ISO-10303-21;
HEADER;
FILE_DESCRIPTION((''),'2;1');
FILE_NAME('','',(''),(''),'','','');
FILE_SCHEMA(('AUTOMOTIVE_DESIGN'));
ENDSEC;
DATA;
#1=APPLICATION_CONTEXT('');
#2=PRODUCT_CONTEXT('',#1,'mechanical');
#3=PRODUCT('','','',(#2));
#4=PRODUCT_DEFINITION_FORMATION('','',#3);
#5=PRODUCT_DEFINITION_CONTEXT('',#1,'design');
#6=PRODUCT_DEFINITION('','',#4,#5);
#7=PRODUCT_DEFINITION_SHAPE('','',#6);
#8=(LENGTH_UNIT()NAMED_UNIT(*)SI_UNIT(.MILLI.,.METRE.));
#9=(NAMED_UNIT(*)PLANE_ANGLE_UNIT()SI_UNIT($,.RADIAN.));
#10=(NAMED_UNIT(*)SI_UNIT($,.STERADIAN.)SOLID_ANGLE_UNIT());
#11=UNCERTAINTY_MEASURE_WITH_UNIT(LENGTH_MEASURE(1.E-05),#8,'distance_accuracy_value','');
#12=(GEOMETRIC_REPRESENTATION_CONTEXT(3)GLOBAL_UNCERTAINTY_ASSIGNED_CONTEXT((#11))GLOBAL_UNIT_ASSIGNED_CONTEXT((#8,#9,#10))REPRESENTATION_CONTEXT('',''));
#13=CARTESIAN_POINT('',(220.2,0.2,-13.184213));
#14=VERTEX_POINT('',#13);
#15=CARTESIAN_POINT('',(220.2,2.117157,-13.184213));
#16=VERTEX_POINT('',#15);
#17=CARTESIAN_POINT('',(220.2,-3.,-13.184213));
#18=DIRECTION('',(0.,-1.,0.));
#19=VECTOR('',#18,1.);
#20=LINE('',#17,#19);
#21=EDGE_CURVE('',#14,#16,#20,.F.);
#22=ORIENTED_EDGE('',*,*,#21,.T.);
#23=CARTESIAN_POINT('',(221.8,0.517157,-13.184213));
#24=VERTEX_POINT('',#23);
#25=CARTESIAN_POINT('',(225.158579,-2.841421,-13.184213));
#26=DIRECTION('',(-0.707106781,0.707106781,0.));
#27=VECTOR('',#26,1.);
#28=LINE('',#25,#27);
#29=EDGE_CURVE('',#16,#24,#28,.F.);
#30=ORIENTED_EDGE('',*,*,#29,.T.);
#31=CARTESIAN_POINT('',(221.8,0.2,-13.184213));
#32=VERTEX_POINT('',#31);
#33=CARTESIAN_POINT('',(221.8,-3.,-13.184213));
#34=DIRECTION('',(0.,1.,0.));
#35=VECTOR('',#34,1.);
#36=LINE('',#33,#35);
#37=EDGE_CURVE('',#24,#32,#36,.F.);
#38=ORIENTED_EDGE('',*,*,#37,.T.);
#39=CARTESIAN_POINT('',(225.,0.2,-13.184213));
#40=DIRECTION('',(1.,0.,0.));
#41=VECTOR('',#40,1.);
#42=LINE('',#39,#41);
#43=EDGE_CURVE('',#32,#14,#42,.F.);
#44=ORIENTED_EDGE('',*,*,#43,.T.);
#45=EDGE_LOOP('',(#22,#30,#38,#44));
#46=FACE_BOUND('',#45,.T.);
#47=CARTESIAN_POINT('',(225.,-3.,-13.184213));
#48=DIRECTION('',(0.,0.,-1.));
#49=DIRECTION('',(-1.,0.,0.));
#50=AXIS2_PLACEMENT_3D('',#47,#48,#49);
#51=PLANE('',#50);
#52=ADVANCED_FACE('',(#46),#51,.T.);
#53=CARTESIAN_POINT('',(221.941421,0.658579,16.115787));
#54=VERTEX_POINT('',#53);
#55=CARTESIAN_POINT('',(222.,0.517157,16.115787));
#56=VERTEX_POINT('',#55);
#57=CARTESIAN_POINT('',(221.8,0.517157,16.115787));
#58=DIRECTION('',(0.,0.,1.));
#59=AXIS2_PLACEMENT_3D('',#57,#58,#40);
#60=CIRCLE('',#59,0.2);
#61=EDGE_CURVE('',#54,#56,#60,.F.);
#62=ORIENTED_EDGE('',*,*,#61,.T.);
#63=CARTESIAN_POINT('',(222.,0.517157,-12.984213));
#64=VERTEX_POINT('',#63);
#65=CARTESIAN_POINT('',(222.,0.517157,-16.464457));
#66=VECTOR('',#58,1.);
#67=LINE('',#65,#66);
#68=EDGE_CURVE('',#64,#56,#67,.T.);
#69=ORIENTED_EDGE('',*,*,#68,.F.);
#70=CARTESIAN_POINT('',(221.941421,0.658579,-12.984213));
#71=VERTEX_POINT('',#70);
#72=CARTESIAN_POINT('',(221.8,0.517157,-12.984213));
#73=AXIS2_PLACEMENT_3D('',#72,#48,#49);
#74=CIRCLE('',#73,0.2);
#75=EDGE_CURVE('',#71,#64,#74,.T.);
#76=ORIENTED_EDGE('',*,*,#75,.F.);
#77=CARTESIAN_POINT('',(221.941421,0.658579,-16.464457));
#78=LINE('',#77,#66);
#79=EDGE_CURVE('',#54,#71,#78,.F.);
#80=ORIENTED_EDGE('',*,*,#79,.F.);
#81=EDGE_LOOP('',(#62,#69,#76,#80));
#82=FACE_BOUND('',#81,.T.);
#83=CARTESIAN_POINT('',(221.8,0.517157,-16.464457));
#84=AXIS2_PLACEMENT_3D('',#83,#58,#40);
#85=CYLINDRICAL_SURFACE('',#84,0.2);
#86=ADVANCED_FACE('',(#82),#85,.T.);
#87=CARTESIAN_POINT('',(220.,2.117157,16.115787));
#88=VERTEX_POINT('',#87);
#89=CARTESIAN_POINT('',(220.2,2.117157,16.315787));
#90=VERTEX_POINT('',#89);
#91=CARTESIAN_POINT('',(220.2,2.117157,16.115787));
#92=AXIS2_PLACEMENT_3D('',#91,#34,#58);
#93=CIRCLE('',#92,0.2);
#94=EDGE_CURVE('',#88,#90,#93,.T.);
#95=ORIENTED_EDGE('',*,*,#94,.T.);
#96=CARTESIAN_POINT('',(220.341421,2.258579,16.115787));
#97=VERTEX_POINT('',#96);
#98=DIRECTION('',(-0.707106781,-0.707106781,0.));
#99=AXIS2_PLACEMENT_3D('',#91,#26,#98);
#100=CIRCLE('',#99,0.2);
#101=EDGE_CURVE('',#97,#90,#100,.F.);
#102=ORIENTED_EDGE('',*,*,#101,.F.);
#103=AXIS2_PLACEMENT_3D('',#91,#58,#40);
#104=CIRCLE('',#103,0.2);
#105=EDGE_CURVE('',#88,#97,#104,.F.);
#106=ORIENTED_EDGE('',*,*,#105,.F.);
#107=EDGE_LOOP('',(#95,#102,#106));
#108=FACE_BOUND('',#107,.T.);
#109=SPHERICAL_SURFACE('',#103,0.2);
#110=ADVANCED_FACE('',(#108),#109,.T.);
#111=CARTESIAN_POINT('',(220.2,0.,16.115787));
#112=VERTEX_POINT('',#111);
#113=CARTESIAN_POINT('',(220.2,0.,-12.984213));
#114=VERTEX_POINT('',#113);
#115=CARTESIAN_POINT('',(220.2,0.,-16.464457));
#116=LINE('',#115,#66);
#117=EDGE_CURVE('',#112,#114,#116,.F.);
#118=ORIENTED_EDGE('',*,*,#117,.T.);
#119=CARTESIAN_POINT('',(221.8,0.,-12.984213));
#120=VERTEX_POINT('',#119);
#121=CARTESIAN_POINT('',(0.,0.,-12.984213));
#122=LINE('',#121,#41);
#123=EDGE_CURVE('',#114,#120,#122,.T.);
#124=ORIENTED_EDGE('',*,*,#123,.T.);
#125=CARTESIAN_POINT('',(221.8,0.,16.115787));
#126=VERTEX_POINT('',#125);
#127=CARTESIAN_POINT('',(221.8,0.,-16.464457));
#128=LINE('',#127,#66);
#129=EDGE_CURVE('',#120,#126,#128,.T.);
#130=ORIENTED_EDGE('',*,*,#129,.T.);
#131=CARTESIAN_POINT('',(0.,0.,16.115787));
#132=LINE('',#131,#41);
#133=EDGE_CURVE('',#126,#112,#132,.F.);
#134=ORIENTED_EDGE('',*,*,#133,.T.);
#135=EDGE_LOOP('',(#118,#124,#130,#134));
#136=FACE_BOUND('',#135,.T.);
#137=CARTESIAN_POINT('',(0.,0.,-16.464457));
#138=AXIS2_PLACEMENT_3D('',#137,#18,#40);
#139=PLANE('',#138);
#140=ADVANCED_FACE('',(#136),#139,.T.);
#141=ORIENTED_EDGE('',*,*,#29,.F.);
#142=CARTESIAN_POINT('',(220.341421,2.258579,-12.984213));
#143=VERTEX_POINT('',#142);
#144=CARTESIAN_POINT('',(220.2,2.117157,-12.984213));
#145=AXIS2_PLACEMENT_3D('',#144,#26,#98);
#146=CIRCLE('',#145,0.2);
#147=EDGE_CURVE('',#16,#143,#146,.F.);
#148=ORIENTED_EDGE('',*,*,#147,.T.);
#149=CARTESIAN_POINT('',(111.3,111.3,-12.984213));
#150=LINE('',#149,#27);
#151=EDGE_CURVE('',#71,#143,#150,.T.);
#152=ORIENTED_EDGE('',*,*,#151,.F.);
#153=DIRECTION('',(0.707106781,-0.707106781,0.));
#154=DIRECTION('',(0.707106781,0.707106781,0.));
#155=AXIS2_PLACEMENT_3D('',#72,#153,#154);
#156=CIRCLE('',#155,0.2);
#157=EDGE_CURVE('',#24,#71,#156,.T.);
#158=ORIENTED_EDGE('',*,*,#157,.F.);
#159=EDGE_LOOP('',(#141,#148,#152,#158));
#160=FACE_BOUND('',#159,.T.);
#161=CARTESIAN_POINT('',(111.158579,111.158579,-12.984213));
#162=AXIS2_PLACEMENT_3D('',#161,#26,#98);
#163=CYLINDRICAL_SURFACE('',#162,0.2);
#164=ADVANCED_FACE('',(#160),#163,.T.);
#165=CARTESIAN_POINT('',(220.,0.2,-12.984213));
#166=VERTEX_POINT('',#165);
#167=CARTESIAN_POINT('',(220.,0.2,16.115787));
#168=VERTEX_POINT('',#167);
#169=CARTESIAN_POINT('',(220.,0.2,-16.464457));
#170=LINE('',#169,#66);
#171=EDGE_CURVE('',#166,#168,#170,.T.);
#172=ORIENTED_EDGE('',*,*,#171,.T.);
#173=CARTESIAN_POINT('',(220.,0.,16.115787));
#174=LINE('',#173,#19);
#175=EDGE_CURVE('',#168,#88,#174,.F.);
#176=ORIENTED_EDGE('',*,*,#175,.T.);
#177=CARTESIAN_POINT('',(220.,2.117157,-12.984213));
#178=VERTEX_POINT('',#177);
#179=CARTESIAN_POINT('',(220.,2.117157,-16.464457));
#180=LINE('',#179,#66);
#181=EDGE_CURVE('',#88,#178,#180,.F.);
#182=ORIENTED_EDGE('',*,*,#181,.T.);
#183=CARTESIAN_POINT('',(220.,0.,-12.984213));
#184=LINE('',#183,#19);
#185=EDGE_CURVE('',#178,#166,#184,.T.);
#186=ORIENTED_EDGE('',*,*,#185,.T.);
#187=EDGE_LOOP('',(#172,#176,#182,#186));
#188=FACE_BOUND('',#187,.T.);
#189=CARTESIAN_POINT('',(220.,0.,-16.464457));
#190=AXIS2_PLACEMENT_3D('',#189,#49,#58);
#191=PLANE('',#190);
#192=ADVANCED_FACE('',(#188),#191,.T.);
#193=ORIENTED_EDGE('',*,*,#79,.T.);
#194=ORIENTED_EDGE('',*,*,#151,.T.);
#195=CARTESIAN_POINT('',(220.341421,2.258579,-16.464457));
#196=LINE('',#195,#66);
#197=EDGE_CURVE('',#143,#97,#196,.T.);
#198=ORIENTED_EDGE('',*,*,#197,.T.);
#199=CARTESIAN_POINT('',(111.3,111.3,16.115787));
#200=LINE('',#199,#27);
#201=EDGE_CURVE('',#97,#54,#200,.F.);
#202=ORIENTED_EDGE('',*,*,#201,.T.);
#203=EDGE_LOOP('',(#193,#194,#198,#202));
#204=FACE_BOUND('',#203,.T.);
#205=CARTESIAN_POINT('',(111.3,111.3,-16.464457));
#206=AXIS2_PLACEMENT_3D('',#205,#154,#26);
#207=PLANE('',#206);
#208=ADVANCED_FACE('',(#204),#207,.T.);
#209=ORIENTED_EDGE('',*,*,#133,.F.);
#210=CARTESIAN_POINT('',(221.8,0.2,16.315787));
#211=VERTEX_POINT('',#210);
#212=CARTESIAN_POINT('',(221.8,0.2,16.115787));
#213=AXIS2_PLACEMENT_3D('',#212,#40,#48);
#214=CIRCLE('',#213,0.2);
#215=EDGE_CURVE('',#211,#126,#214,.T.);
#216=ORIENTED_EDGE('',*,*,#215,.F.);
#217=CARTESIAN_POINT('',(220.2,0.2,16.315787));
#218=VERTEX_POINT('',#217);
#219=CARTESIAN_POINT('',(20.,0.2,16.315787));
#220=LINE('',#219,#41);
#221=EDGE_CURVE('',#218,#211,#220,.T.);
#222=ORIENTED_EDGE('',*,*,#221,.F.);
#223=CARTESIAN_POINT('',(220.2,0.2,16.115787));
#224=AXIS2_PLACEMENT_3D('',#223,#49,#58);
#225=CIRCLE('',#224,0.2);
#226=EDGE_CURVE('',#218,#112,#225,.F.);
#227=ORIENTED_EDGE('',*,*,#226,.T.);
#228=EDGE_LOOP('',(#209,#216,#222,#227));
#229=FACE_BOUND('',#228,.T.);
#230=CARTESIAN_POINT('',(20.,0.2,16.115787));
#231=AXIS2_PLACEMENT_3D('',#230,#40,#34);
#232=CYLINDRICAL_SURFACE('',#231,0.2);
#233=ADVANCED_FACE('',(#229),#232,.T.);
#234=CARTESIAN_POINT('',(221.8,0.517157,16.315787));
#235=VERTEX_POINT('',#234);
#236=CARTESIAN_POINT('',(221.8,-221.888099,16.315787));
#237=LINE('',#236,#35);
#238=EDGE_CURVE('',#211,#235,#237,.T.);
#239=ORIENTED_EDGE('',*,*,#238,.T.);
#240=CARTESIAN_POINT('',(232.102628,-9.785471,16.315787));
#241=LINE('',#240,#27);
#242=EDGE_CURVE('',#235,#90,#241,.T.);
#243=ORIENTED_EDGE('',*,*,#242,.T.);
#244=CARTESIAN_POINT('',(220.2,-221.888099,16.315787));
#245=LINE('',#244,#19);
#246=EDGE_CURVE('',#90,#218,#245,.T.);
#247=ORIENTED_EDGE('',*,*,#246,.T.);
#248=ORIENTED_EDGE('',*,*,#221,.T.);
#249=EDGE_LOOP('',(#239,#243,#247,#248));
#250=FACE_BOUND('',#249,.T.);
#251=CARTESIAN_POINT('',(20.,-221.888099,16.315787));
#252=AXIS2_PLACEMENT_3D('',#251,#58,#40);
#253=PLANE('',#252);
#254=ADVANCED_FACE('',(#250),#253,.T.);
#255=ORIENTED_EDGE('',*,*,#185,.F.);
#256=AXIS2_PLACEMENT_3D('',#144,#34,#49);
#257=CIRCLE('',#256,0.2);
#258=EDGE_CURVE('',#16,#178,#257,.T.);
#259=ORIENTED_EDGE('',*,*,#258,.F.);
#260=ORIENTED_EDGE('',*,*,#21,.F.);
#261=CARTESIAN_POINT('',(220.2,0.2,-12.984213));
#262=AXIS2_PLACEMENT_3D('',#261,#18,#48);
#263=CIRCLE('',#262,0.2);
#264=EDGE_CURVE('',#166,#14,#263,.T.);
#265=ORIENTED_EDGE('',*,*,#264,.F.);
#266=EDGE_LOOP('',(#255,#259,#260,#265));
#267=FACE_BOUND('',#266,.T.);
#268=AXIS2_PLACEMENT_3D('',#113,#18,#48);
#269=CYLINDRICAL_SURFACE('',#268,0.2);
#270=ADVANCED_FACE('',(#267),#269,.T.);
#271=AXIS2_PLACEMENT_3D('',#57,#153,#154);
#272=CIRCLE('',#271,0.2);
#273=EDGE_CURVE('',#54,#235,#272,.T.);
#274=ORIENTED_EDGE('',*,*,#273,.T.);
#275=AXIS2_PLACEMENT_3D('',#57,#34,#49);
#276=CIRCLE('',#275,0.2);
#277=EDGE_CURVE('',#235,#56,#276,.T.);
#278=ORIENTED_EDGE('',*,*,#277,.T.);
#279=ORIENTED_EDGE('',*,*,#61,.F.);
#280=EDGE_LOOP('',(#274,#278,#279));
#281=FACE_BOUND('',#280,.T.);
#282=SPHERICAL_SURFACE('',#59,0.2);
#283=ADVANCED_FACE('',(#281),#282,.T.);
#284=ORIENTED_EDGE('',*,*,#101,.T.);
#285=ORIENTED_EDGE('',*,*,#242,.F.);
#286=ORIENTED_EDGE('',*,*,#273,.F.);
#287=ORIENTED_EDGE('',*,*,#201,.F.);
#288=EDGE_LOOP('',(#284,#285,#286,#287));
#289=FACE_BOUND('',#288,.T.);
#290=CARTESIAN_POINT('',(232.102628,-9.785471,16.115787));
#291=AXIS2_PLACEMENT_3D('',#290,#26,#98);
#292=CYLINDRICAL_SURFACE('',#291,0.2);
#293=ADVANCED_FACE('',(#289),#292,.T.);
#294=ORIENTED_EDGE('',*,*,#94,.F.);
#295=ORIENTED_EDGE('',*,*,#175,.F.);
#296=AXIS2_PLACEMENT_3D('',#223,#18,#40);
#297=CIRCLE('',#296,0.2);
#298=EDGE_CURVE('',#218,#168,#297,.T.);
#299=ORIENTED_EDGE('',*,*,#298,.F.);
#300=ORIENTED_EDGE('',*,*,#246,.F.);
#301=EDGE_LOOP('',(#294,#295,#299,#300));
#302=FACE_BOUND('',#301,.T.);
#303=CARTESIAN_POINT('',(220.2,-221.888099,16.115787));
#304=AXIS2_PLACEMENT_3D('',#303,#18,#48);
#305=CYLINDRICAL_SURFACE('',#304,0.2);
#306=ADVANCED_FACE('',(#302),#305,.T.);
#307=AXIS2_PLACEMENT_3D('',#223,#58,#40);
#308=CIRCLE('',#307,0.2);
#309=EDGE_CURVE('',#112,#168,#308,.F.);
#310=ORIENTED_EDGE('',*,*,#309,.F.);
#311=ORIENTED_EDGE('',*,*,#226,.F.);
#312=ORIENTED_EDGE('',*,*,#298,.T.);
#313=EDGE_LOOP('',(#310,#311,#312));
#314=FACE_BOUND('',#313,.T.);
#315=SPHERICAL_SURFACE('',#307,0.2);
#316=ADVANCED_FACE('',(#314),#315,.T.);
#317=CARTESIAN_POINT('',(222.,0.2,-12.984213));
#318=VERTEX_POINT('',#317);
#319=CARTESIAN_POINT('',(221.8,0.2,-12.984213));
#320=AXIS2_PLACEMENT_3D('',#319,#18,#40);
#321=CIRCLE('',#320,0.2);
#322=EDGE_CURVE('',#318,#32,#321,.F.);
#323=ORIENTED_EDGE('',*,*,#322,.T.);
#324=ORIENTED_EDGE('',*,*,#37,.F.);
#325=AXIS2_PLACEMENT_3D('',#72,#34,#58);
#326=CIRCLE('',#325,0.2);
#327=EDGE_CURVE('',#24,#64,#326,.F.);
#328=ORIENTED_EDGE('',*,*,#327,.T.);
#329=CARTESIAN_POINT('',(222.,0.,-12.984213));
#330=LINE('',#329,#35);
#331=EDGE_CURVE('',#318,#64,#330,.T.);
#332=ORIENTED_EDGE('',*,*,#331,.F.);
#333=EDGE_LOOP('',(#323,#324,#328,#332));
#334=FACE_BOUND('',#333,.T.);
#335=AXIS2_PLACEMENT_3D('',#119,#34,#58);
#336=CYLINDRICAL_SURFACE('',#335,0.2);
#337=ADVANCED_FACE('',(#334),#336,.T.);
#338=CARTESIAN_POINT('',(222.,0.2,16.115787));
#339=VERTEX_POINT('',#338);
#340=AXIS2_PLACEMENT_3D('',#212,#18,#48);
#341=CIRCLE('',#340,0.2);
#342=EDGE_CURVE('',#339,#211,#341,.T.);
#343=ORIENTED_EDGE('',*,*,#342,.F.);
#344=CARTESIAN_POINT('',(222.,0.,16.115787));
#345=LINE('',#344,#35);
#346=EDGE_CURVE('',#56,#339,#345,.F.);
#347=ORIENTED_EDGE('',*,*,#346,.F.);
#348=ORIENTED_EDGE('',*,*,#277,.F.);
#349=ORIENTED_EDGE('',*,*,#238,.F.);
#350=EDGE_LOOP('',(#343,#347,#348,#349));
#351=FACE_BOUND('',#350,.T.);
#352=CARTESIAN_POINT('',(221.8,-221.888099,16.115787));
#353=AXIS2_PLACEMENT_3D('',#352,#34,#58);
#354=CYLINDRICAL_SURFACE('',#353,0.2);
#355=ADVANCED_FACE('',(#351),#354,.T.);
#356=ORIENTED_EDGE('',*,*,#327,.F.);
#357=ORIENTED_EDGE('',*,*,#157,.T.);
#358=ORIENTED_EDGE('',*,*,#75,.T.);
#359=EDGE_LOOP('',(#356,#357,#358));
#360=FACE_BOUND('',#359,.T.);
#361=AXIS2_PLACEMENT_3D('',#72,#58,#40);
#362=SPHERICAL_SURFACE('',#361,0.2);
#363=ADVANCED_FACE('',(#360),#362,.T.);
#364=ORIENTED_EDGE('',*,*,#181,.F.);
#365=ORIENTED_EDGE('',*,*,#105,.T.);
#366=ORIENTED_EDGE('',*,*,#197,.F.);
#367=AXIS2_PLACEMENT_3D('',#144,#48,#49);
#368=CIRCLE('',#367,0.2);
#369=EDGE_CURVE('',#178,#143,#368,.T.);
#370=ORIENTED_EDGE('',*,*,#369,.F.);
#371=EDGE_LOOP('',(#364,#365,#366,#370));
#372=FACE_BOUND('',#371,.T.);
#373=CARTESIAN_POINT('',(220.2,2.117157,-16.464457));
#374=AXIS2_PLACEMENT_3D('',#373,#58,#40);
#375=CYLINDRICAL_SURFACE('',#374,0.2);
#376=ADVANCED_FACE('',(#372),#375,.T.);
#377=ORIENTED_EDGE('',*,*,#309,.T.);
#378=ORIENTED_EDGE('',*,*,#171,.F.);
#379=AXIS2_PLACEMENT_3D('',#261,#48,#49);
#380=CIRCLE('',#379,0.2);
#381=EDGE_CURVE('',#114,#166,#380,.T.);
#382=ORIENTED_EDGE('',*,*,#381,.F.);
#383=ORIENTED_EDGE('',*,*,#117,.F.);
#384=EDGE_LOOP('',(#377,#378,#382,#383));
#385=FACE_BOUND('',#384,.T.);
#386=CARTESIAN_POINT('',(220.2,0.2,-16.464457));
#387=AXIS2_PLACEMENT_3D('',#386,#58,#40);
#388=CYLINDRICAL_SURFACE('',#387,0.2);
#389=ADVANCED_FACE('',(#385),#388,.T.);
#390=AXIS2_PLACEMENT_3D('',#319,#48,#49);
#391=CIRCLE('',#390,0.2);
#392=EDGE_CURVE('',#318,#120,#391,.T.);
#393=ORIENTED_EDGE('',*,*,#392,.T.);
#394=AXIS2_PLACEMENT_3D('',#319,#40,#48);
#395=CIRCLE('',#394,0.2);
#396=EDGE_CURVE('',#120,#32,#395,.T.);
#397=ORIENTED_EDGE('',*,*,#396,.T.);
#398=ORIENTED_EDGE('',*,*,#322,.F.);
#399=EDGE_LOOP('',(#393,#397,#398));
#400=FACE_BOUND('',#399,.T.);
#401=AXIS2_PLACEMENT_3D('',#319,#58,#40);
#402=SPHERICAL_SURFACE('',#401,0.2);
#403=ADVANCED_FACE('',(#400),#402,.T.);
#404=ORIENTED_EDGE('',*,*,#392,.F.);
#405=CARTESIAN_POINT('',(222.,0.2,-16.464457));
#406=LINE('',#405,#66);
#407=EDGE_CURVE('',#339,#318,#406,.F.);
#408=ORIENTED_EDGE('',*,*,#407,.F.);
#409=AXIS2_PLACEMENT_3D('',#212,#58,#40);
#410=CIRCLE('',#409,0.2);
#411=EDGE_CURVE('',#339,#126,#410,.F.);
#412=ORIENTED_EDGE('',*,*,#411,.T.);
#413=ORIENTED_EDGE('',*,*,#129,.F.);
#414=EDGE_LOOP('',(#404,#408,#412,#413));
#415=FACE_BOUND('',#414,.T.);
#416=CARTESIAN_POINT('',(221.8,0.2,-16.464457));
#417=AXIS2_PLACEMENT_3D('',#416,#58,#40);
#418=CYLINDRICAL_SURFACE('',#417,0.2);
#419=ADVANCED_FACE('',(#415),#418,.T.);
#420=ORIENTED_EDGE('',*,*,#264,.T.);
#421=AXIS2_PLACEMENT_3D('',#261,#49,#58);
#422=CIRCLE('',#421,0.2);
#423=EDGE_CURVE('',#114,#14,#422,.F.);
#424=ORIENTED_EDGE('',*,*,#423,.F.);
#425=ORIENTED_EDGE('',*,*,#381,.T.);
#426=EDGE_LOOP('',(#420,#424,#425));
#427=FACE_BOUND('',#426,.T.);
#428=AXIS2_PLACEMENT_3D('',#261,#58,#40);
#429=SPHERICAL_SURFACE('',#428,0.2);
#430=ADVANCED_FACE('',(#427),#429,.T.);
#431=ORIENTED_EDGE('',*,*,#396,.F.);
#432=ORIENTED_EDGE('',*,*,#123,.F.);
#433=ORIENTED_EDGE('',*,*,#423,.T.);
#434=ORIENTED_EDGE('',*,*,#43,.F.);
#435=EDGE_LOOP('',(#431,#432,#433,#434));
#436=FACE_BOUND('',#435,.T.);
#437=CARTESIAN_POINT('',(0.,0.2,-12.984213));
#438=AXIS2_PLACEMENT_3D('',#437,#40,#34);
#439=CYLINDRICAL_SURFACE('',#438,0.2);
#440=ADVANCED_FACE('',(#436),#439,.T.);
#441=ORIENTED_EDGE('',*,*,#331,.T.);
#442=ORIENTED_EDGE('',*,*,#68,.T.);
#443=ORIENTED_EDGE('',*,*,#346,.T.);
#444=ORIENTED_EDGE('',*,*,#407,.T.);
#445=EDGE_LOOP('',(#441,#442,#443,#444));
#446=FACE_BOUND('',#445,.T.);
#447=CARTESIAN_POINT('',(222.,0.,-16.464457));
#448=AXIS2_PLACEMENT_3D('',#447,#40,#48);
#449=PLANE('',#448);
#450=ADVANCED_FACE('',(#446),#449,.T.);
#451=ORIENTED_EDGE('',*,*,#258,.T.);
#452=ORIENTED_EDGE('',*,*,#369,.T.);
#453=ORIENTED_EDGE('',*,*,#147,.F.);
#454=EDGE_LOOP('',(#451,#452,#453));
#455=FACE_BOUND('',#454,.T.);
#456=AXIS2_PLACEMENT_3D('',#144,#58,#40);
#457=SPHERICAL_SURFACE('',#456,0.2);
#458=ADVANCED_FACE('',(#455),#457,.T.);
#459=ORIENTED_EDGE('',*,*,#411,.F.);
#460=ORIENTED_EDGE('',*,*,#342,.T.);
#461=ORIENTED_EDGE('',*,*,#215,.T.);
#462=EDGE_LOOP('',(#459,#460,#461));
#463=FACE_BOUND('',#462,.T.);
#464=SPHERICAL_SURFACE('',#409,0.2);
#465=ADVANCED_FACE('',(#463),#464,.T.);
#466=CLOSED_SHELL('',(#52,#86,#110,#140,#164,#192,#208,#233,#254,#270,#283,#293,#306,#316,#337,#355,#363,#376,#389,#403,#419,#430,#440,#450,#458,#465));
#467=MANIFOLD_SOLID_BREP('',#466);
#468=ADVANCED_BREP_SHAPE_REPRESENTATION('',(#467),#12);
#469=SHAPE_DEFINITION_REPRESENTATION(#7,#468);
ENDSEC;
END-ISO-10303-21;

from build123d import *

# Parameters (mm, degrees)
BOSS_EXTRUDE1_DEPTH      = 16.315787
BOSS_EXTRUDE1_DEPTH_BACK = 13.184213
FILLET1_R                = 0.2


with BuildPart() as part:
    # Sketch1 → Boss-Extrude1 (new, two sides: drawn at the far end of the back side and taken through both)
    with BuildSketch(Plane.XY.offset(-BOSS_EXTRUDE1_DEPTH_BACK)):
        Polygon((220, 2.6), (220, 0), (222, 0), (222, 0.6), align=None)
    extrude(amount=BOSS_EXTRUDE1_DEPTH + BOSS_EXTRUDE1_DEPTH_BACK)

    # Fillet1
    fillet1_edges = [part.edges().sort_by_distance(p)[0] for p in [
        (222, 0.3, 16.315787),
        (221, 1.6, 16.315787),
        (220, 1.3, 16.315787),
        (221, 0, 16.315787),
        (222, 0.3, -13.184213),
        (222, 0.6, 1.565787),
        (221, 1.6, -13.184213),
        (220, 2.6, 1.565787),
        (220, 1.3, -13.184213),
        (220, 0, 1.565787),
        (221, 0, -13.184213),
        (222, 0, 1.565787),
    ]]
    fillet(fillet1_edges, radius=FILLET1_R)


solid = part.part
